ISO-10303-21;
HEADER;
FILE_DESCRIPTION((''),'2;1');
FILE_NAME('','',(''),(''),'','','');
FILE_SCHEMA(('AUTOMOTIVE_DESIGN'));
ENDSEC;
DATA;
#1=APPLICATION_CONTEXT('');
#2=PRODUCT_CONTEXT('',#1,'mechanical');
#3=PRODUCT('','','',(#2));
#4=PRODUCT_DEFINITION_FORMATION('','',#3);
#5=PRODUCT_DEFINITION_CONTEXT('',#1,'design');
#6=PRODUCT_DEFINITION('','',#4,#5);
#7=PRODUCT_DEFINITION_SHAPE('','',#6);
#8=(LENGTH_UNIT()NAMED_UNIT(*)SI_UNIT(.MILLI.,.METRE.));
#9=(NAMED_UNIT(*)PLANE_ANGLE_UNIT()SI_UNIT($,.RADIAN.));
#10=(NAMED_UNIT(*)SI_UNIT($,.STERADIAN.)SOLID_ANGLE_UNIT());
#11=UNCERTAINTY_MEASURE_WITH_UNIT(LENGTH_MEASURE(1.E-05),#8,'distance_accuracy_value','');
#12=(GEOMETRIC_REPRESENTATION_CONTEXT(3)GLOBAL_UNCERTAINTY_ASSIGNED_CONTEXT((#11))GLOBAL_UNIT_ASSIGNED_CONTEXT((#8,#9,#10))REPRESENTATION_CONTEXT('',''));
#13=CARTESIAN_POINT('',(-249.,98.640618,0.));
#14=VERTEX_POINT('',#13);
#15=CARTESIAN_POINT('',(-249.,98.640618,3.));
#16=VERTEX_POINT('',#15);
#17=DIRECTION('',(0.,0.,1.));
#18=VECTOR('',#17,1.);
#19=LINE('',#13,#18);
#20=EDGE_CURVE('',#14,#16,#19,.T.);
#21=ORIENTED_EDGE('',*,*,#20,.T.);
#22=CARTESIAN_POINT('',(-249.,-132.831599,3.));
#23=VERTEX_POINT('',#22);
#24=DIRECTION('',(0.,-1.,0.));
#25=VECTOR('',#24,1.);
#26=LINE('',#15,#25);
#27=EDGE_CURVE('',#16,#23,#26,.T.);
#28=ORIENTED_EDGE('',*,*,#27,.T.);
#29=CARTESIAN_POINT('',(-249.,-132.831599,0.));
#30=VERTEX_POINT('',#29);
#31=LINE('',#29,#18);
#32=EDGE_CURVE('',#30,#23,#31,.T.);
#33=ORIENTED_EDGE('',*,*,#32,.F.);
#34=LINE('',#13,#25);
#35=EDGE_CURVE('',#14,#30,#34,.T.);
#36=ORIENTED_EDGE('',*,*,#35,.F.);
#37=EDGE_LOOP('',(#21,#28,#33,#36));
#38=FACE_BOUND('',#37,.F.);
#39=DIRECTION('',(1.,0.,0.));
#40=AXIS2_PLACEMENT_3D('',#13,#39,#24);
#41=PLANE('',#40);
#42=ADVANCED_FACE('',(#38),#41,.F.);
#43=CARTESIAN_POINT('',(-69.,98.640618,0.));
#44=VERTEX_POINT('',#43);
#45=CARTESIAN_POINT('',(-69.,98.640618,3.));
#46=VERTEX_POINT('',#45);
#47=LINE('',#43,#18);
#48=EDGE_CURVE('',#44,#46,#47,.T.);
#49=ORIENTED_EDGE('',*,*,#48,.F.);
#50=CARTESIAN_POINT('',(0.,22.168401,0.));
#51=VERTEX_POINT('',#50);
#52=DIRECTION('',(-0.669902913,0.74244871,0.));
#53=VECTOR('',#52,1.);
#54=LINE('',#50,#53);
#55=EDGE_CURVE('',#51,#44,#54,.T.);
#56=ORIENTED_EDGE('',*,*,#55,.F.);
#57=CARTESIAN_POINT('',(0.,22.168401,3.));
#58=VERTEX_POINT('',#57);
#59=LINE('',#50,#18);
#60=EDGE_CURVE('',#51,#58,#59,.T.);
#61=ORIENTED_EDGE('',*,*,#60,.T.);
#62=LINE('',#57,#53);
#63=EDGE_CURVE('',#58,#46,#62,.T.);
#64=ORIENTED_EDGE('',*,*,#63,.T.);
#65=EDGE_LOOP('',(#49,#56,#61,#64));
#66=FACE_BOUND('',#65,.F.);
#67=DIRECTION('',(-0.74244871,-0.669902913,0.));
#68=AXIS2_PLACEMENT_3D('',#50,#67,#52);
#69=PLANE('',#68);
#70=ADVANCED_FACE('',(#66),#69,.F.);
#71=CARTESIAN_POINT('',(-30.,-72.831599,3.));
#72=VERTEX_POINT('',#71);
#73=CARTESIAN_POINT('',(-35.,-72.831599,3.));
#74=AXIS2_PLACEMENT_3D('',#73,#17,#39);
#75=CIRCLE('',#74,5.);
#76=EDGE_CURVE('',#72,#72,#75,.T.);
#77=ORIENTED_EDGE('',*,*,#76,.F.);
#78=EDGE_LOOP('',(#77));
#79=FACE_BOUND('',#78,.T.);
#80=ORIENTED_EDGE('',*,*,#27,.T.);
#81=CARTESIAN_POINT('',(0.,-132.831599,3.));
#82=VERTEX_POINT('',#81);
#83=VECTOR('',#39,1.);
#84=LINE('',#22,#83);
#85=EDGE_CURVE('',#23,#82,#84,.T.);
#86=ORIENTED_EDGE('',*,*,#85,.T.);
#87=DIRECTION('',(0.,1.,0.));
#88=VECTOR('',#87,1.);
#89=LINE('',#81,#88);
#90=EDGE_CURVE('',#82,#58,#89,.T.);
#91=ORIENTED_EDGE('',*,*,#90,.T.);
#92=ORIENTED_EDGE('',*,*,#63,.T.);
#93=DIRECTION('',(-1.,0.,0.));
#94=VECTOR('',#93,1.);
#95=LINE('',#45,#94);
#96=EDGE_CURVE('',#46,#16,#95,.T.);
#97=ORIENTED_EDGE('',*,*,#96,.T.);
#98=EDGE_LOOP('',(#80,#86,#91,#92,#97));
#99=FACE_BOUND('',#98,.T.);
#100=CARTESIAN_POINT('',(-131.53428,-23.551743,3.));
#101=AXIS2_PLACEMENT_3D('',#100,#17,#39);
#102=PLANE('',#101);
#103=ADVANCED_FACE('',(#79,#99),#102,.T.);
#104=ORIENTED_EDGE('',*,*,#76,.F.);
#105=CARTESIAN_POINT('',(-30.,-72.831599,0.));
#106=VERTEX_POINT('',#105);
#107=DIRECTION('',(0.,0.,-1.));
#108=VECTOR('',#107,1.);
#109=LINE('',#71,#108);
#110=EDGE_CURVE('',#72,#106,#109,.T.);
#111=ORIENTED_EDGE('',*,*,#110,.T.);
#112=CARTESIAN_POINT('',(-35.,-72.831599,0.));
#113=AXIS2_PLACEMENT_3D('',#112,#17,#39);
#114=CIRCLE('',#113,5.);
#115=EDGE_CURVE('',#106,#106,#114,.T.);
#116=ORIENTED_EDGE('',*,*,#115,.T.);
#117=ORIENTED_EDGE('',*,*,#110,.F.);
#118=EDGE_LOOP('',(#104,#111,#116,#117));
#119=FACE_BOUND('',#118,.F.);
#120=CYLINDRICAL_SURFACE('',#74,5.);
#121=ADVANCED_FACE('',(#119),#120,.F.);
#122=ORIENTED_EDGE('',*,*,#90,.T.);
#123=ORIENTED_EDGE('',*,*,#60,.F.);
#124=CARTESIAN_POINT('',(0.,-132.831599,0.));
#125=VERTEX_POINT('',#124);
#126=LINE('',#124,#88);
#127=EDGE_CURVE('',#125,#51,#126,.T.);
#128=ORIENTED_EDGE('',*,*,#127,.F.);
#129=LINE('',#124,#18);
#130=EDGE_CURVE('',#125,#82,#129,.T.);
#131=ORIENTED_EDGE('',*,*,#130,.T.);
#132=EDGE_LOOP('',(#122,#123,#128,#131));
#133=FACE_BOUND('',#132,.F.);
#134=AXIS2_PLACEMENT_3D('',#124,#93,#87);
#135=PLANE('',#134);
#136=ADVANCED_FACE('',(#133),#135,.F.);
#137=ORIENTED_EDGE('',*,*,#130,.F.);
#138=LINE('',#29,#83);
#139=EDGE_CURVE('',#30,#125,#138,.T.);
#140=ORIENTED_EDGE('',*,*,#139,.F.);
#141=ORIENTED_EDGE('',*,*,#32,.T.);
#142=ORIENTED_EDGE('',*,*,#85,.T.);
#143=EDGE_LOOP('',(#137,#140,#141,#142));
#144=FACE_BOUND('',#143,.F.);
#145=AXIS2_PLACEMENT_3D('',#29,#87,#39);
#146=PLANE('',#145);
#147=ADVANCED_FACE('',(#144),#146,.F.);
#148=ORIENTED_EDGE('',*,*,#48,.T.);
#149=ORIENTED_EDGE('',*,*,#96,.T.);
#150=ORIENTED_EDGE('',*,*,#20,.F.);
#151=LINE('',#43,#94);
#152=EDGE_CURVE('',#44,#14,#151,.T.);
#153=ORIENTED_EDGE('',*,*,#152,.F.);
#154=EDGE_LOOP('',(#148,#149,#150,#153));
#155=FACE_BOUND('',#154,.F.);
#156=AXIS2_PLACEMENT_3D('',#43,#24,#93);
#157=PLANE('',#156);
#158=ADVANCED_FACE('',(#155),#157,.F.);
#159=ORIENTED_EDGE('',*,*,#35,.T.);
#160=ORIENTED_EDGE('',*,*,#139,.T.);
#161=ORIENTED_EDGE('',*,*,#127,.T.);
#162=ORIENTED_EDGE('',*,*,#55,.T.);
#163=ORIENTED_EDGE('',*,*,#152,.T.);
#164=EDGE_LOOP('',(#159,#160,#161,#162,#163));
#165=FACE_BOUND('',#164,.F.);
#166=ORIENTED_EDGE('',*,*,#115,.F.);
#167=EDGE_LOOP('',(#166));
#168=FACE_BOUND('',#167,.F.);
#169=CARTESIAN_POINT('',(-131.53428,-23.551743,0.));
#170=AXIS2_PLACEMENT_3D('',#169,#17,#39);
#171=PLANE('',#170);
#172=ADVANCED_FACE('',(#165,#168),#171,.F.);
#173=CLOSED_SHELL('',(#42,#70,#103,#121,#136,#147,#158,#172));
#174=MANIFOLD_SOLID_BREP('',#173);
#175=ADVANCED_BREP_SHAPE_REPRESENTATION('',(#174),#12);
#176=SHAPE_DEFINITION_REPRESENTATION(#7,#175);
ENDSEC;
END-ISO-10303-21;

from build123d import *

# Parameters (mm, degrees)
F1_DEPTH = 3
F2_R     = 5
F3_DEPTH = 3


with BuildPart() as f1:
    # F0 (on Top) → F1 (new body)
    with BuildSketch(Plane.XY):
        Polygon((-69, 98.640618), (-249, 98.640618), (-249, -132.831599), (0, -132.831599), (0, 22.168401), align=None)
    extrude(amount=F1_DEPTH)

    # F2 (on face) → F3 (cut)
    with BuildSketch(Plane.XY.offset(3)):
        with Locations((-35, -72.831599)):
            Circle(F2_R)
    extrude(amount=-F3_DEPTH, mode=Mode.SUBTRACT)


solid = f1.part
